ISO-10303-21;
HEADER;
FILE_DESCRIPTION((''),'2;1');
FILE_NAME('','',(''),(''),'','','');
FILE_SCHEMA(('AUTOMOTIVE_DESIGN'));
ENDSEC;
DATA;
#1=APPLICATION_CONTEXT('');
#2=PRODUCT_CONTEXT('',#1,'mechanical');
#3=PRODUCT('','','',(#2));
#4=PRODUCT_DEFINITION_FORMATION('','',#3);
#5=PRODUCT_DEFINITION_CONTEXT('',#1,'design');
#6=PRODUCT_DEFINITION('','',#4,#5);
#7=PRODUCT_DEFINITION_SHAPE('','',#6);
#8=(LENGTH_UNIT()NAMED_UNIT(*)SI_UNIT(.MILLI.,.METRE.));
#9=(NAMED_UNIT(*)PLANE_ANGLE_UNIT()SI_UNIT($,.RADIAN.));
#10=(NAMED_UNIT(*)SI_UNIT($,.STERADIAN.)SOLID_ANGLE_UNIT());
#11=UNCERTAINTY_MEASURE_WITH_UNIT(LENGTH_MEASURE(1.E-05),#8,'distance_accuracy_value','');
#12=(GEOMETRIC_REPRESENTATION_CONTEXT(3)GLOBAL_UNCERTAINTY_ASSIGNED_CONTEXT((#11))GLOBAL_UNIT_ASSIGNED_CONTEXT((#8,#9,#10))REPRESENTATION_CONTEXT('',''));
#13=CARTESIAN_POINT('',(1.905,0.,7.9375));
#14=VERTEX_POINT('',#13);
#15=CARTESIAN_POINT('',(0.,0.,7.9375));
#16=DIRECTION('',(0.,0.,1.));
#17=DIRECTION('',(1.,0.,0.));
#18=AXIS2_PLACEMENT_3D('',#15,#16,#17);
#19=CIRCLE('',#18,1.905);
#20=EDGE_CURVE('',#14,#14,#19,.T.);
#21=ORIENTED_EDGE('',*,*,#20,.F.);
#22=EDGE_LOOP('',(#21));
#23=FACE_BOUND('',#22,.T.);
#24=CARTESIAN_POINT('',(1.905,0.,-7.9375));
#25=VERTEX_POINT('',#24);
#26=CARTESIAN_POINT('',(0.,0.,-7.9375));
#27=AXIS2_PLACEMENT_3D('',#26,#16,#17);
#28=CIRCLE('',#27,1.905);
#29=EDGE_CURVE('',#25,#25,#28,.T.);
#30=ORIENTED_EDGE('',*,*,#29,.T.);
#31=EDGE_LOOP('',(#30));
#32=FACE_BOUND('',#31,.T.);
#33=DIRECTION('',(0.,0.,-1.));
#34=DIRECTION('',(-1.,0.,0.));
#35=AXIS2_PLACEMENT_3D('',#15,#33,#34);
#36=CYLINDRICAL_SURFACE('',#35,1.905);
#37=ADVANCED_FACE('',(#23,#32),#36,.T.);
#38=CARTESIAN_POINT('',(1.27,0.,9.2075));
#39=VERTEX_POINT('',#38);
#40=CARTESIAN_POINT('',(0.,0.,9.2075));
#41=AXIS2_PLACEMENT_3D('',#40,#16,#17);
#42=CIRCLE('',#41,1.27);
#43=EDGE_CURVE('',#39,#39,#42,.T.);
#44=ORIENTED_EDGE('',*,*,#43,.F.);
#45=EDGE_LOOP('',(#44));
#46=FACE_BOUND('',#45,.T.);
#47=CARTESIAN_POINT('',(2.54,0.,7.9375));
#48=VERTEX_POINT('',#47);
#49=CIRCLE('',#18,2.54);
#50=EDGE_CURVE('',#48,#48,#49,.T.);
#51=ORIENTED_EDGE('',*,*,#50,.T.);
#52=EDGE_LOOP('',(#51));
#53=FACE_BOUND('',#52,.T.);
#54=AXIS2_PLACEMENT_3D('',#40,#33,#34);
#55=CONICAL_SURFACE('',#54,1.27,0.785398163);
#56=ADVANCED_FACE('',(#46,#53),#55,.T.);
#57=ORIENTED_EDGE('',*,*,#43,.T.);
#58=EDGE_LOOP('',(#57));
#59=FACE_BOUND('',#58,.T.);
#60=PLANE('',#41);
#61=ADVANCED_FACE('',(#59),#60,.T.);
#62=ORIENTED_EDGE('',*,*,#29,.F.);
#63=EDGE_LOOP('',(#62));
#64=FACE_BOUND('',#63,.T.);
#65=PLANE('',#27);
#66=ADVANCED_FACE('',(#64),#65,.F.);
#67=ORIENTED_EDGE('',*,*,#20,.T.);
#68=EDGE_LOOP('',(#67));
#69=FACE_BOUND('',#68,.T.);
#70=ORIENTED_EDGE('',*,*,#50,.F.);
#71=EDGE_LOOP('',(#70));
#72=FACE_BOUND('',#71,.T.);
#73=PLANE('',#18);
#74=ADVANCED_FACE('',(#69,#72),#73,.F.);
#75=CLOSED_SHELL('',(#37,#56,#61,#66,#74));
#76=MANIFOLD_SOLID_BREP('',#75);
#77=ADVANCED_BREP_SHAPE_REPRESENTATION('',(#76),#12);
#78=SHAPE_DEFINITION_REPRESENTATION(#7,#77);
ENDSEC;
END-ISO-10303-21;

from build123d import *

# Parameters (mm, degrees)
SKETCH1_R           = 1.905
BOSS_EXTRUDE1_DEPTH = 7.9375
SKETCH2_R           = 2.54
SKETCH3_R           = 1.27


with BuildPart() as part:
    # Sketch1 → Boss-Extrude1 (new, symmetric)
    with BuildSketch(Plane.XY):
        Circle(SKETCH1_R)
    extrude(amount=BOSS_EXTRUDE1_DEPTH, both=True)

    # Sketch2 → Loft2 section 0
    with BuildSketch(Plane.XY.offset(7.9375)):
        Circle(SKETCH2_R)
    # Sketch3 → Loft2 section 1
    with BuildSketch(Plane.XY.offset(9.2075)):
        Circle(SKETCH3_R)
    loft()


solid = part.part
